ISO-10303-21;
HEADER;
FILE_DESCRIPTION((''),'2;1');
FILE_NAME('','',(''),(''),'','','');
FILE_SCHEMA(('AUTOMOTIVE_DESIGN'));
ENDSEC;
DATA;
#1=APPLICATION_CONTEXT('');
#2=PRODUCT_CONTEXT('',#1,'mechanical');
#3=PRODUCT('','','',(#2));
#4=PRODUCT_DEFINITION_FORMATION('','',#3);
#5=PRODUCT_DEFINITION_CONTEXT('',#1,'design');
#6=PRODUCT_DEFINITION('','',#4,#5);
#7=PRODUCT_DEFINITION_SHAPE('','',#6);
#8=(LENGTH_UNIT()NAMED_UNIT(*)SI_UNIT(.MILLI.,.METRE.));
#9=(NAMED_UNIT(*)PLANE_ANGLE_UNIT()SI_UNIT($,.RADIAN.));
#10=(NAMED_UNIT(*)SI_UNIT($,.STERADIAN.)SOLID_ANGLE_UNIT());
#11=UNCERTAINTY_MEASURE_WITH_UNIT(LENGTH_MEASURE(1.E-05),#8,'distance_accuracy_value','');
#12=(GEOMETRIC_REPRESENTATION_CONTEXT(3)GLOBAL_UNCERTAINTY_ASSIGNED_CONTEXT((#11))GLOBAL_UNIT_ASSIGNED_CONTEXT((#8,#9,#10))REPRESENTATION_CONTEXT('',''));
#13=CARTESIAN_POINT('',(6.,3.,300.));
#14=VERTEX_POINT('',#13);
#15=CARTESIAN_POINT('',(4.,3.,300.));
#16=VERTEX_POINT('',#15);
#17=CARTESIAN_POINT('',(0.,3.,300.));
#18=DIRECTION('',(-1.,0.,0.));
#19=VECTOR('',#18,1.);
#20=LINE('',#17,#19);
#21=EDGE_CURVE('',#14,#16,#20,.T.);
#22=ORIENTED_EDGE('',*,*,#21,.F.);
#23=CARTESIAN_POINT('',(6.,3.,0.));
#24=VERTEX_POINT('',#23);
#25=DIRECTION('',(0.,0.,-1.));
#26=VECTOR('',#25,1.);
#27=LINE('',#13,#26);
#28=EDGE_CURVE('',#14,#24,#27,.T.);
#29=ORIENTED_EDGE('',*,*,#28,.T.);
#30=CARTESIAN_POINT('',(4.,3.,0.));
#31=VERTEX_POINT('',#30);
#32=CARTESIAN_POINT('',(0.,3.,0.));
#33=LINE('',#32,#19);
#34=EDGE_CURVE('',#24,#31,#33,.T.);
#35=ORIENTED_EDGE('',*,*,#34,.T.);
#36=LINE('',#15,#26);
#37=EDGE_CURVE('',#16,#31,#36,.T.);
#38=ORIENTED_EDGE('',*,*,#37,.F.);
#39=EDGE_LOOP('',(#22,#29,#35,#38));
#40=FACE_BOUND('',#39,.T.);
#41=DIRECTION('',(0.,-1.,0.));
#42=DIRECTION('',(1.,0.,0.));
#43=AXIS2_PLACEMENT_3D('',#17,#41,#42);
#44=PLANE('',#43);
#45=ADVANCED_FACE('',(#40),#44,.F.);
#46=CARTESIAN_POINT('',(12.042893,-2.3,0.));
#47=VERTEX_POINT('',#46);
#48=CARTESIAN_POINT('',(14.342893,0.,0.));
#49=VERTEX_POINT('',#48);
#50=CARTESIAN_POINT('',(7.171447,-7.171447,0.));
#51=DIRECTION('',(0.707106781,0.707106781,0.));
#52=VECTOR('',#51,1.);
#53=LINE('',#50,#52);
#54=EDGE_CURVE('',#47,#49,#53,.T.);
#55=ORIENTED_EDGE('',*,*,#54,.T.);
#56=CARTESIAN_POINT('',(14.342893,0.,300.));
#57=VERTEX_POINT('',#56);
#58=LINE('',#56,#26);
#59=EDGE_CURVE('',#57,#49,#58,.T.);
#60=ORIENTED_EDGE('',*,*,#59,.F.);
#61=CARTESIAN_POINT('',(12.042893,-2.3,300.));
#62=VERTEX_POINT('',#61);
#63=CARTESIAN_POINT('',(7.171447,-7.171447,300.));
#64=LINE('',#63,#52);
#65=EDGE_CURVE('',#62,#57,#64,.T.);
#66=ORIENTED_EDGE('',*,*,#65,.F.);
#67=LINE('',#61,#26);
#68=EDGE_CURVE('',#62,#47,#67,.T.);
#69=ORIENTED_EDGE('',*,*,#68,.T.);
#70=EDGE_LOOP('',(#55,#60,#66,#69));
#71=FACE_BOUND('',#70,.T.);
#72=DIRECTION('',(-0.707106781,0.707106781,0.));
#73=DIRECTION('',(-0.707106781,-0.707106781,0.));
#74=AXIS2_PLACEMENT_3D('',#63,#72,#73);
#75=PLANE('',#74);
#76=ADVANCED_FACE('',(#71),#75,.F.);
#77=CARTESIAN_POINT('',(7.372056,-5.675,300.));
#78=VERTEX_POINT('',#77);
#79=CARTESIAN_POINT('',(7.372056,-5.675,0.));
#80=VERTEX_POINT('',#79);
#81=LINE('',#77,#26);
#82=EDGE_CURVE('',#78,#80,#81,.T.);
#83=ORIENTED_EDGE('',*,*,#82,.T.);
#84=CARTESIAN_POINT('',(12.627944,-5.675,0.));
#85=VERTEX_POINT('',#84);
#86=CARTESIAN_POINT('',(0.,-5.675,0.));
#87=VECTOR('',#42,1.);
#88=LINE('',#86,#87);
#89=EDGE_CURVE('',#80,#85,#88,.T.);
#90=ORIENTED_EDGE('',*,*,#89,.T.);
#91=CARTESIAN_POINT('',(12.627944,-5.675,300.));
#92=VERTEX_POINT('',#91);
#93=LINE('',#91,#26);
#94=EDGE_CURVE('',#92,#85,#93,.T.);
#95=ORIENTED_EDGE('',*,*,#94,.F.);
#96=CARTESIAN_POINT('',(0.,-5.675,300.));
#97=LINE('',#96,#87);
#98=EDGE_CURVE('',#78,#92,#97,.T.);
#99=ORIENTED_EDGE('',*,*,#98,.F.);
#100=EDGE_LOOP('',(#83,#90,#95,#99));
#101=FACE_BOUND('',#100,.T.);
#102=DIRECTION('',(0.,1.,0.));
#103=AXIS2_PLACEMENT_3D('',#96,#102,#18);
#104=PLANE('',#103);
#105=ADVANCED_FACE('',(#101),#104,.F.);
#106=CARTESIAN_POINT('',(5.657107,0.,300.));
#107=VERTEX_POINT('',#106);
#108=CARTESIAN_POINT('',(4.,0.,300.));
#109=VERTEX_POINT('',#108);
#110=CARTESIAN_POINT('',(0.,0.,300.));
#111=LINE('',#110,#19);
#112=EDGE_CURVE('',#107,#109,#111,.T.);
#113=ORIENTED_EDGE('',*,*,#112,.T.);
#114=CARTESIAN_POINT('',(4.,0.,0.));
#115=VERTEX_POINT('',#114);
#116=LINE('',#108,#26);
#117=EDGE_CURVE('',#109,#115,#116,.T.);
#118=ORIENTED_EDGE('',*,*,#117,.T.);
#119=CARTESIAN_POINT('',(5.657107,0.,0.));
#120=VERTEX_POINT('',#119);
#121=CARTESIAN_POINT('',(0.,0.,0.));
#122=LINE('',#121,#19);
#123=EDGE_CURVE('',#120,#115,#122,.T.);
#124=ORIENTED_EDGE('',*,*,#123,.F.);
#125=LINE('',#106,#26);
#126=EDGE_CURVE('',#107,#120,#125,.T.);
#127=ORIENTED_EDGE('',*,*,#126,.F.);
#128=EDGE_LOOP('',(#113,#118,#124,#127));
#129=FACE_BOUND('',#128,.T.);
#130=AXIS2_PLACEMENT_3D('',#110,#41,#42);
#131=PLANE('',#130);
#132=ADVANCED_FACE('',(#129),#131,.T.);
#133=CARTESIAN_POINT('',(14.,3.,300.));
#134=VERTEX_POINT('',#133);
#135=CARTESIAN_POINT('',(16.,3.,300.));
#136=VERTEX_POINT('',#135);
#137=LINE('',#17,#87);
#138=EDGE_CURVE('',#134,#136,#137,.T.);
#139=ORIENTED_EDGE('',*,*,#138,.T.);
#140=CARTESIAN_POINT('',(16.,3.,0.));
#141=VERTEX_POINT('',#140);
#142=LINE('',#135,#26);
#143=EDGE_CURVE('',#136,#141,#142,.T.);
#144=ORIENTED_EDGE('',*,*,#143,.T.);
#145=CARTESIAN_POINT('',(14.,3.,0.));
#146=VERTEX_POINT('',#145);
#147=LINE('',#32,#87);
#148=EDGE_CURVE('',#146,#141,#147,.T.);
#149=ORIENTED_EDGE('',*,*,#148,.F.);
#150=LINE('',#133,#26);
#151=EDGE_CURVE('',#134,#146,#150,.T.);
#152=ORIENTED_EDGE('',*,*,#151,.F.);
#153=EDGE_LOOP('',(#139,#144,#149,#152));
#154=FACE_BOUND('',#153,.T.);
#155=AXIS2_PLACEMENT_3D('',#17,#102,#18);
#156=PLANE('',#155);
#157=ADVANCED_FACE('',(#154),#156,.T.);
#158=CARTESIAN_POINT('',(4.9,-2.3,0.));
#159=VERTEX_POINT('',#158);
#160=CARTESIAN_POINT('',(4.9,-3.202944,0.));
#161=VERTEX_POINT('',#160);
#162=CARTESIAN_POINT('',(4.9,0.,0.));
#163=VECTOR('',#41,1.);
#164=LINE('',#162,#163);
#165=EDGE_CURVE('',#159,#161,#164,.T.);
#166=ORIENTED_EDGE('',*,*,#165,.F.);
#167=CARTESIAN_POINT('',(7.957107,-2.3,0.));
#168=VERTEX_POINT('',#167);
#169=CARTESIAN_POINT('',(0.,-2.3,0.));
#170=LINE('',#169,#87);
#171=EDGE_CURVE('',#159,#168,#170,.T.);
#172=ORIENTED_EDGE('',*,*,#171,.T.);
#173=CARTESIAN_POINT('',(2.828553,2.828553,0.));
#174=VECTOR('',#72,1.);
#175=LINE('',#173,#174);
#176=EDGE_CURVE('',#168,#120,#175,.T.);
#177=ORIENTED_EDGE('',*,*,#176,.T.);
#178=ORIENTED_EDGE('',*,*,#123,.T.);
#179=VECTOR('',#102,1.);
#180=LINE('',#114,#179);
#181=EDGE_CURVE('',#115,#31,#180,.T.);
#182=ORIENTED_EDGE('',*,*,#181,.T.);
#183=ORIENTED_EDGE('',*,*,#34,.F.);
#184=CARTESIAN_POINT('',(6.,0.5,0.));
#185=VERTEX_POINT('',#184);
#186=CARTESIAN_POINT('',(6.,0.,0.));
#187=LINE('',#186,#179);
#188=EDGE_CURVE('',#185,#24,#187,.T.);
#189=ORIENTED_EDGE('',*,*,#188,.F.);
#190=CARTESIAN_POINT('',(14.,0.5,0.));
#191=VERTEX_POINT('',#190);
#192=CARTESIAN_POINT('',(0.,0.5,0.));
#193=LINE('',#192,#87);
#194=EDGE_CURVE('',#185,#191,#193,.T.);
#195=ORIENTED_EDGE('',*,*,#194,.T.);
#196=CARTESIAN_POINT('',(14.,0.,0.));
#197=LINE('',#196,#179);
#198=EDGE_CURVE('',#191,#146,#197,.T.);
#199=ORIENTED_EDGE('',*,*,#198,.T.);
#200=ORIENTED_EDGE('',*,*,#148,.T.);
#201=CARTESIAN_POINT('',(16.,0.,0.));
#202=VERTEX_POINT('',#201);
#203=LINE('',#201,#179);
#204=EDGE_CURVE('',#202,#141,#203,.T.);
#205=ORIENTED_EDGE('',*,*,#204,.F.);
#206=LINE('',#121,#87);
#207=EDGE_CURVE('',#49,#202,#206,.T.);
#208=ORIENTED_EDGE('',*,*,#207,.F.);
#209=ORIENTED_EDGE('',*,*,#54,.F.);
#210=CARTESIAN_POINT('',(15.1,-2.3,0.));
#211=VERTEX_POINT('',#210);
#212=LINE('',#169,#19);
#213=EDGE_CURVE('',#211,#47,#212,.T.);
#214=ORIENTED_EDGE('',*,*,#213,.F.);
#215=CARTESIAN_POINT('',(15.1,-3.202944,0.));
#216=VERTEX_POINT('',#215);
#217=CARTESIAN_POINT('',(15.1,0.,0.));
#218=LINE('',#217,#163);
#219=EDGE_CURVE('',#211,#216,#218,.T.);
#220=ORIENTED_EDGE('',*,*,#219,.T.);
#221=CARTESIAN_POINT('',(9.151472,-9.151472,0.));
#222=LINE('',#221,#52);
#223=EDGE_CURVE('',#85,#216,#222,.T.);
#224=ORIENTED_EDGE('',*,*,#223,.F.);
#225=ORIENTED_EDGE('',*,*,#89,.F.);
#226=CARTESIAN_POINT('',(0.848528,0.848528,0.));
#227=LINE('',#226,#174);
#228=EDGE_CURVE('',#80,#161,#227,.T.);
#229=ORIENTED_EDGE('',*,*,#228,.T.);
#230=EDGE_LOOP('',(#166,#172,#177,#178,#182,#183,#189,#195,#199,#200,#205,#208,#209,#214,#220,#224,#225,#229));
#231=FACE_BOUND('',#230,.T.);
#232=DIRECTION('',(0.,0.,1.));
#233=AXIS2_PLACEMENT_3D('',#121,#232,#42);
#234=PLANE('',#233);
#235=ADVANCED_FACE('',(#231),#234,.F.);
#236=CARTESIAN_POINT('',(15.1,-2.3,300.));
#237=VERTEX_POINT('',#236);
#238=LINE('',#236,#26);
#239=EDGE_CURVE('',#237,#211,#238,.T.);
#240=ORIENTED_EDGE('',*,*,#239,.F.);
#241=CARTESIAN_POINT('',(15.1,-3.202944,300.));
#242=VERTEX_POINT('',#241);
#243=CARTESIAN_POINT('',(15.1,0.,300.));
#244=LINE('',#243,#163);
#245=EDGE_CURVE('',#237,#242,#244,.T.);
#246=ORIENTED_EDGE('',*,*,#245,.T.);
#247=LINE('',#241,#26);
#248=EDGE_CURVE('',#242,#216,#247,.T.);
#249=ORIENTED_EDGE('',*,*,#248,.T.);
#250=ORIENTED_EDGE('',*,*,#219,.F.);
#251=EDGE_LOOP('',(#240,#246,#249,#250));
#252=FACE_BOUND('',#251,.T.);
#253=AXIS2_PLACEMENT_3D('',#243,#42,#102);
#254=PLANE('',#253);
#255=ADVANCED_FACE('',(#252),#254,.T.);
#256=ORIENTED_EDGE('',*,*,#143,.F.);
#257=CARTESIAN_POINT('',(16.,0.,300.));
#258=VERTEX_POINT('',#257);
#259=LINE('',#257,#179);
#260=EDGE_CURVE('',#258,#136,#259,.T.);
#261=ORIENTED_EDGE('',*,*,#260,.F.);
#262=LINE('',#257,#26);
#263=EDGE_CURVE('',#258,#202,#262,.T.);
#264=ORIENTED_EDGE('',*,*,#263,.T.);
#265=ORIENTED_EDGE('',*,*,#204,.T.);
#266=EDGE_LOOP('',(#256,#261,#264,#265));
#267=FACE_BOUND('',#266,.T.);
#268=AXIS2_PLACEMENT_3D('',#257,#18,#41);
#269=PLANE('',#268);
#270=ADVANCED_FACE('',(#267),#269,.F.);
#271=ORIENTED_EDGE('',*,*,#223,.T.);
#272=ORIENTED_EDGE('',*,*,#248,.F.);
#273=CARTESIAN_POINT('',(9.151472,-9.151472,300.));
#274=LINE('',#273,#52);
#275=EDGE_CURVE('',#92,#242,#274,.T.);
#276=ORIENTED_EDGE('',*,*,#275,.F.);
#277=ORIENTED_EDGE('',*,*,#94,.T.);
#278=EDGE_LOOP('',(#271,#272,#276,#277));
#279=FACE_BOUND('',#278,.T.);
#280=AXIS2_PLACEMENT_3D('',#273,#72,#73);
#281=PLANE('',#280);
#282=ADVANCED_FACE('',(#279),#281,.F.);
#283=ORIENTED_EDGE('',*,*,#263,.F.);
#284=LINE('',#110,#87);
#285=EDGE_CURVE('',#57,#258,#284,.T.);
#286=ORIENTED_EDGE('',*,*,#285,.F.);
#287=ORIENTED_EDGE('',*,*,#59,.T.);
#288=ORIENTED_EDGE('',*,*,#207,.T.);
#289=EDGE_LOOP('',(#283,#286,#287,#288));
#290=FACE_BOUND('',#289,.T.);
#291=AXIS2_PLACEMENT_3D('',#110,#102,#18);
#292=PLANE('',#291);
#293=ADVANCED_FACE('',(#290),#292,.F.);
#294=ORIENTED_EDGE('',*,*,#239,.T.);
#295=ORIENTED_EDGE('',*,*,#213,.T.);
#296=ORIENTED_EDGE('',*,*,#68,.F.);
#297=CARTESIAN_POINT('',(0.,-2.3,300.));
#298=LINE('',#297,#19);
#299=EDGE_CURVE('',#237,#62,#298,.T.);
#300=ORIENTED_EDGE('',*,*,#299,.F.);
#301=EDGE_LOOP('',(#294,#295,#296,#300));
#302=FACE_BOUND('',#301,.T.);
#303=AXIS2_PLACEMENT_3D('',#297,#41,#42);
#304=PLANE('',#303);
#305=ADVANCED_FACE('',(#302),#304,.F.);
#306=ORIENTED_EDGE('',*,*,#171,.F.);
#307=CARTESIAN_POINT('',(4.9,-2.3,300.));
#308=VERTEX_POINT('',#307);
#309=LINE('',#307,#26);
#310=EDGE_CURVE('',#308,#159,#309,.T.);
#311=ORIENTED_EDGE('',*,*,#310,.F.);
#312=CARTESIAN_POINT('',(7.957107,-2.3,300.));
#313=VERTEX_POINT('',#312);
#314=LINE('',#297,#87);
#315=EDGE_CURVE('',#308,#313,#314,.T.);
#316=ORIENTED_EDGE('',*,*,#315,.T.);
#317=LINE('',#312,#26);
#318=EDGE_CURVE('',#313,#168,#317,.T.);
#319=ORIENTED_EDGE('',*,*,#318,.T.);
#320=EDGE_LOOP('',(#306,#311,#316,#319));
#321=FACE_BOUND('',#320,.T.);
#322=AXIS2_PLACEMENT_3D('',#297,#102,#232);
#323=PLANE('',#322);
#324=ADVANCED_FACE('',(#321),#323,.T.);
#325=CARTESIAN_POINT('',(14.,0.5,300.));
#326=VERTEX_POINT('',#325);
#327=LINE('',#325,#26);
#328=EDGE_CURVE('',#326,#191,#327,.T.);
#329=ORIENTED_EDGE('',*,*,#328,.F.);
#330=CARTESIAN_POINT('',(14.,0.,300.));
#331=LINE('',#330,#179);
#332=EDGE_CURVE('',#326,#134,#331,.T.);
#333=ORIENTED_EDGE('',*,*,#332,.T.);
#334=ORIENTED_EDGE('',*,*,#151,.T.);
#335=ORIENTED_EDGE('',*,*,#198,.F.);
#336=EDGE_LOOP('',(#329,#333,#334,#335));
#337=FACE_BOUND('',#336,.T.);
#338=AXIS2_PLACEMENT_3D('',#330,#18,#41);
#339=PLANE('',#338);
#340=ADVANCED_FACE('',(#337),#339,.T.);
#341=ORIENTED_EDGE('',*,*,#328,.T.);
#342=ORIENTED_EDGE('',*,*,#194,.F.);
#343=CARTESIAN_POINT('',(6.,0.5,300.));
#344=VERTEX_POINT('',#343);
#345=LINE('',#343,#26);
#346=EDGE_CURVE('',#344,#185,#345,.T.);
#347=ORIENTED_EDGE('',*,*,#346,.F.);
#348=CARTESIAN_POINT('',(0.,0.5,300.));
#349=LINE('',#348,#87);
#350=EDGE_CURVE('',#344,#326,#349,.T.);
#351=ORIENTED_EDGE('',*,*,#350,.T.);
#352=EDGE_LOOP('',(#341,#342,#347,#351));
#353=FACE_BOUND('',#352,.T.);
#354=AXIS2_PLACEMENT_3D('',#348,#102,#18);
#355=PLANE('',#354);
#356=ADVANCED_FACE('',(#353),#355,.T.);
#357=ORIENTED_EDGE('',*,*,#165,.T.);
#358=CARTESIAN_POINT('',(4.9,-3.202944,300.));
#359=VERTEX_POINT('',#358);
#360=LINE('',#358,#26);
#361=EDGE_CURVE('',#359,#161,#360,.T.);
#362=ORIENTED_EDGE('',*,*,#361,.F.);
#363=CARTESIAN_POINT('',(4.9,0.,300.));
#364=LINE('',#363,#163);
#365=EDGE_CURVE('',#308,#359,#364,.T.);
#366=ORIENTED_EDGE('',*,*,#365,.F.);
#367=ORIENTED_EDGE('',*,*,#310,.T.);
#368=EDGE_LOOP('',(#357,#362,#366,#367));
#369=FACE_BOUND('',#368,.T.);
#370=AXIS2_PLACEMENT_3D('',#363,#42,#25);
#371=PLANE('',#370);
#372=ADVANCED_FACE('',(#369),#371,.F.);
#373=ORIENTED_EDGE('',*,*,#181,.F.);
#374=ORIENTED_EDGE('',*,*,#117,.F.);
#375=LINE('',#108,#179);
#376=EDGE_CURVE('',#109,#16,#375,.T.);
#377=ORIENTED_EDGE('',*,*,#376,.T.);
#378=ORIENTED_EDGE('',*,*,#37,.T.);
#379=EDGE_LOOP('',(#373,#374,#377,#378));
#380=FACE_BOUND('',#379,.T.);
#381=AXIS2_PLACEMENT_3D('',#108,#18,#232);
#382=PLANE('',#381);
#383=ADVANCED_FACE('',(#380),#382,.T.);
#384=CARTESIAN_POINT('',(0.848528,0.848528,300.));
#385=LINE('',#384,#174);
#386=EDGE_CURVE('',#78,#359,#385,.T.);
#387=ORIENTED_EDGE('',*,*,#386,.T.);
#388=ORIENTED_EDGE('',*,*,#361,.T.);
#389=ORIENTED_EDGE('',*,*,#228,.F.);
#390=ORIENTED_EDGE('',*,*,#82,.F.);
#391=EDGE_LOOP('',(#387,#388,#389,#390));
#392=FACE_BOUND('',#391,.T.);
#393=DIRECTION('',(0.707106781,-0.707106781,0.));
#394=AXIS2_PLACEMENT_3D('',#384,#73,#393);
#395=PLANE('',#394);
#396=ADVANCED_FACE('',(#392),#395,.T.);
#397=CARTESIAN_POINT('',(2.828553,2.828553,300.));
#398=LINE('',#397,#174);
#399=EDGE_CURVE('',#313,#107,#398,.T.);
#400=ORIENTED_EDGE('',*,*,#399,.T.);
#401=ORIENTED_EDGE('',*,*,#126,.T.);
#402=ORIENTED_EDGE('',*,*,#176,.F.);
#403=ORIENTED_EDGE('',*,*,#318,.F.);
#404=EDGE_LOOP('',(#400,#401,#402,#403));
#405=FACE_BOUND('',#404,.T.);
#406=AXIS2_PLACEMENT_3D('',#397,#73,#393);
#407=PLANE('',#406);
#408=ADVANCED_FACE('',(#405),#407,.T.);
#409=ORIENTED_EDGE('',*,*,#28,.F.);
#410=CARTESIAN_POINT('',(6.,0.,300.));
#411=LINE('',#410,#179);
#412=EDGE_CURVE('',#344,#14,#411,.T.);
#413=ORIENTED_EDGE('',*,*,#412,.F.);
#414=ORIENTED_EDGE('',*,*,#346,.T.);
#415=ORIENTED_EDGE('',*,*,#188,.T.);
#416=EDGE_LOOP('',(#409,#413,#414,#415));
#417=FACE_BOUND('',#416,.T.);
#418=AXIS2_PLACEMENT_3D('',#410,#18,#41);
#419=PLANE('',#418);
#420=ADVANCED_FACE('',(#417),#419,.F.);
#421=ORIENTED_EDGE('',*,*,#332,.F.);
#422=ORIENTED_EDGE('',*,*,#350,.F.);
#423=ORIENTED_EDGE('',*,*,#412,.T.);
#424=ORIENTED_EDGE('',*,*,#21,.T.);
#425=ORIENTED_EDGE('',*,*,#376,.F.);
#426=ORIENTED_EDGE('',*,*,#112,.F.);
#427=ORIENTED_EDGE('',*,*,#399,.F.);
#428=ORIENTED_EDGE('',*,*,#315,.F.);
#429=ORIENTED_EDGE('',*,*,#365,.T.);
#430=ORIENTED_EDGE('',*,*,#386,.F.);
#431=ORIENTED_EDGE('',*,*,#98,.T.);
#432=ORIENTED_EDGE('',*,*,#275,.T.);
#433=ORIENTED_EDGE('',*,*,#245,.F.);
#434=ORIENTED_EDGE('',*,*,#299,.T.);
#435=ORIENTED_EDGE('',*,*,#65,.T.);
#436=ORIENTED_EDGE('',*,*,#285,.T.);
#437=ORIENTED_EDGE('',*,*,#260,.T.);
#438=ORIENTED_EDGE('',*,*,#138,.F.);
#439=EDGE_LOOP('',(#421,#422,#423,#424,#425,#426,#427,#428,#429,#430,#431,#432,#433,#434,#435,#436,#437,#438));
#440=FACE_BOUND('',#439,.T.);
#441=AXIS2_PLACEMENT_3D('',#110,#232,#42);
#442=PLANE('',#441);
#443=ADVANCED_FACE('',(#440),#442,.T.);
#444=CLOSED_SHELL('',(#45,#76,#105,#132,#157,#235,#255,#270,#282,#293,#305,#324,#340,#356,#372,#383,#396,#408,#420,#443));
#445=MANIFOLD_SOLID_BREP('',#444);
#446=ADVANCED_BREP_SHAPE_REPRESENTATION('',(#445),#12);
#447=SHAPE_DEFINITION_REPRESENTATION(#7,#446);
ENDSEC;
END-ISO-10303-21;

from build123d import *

# Parameters (mm, degrees)
SALIENTE_EXTRUIR1_DEPTH = 300


with BuildPart() as part:
    # Croquis1 → Saliente-Extruir1 (new body)
    with BuildSketch(Plane.XY):
        Polygon((7.372056275, -5.675), (10, -5.675), (10, 0.5), (6, 0.5), (6, 3), (4, 3), (4, 0), (4.4, 0), (4.95, 0), (5.657106781, 0), (7.957106781, -2.3), (4.9, -2.3), (4.9, -3.202943725), align=None)
        Polygon((10, -5.675), (12.627943725, -5.675), (15.1, -3.202943725), (15.1, -2.3), (12.042893219, -2.3), (14.342893219, 0), (16, 0), (16, 3), (14, 3), (14, 0.5), (10, 0.5), align=None)
    extrude(amount=SALIENTE_EXTRUIR1_DEPTH)


solid = part.part
